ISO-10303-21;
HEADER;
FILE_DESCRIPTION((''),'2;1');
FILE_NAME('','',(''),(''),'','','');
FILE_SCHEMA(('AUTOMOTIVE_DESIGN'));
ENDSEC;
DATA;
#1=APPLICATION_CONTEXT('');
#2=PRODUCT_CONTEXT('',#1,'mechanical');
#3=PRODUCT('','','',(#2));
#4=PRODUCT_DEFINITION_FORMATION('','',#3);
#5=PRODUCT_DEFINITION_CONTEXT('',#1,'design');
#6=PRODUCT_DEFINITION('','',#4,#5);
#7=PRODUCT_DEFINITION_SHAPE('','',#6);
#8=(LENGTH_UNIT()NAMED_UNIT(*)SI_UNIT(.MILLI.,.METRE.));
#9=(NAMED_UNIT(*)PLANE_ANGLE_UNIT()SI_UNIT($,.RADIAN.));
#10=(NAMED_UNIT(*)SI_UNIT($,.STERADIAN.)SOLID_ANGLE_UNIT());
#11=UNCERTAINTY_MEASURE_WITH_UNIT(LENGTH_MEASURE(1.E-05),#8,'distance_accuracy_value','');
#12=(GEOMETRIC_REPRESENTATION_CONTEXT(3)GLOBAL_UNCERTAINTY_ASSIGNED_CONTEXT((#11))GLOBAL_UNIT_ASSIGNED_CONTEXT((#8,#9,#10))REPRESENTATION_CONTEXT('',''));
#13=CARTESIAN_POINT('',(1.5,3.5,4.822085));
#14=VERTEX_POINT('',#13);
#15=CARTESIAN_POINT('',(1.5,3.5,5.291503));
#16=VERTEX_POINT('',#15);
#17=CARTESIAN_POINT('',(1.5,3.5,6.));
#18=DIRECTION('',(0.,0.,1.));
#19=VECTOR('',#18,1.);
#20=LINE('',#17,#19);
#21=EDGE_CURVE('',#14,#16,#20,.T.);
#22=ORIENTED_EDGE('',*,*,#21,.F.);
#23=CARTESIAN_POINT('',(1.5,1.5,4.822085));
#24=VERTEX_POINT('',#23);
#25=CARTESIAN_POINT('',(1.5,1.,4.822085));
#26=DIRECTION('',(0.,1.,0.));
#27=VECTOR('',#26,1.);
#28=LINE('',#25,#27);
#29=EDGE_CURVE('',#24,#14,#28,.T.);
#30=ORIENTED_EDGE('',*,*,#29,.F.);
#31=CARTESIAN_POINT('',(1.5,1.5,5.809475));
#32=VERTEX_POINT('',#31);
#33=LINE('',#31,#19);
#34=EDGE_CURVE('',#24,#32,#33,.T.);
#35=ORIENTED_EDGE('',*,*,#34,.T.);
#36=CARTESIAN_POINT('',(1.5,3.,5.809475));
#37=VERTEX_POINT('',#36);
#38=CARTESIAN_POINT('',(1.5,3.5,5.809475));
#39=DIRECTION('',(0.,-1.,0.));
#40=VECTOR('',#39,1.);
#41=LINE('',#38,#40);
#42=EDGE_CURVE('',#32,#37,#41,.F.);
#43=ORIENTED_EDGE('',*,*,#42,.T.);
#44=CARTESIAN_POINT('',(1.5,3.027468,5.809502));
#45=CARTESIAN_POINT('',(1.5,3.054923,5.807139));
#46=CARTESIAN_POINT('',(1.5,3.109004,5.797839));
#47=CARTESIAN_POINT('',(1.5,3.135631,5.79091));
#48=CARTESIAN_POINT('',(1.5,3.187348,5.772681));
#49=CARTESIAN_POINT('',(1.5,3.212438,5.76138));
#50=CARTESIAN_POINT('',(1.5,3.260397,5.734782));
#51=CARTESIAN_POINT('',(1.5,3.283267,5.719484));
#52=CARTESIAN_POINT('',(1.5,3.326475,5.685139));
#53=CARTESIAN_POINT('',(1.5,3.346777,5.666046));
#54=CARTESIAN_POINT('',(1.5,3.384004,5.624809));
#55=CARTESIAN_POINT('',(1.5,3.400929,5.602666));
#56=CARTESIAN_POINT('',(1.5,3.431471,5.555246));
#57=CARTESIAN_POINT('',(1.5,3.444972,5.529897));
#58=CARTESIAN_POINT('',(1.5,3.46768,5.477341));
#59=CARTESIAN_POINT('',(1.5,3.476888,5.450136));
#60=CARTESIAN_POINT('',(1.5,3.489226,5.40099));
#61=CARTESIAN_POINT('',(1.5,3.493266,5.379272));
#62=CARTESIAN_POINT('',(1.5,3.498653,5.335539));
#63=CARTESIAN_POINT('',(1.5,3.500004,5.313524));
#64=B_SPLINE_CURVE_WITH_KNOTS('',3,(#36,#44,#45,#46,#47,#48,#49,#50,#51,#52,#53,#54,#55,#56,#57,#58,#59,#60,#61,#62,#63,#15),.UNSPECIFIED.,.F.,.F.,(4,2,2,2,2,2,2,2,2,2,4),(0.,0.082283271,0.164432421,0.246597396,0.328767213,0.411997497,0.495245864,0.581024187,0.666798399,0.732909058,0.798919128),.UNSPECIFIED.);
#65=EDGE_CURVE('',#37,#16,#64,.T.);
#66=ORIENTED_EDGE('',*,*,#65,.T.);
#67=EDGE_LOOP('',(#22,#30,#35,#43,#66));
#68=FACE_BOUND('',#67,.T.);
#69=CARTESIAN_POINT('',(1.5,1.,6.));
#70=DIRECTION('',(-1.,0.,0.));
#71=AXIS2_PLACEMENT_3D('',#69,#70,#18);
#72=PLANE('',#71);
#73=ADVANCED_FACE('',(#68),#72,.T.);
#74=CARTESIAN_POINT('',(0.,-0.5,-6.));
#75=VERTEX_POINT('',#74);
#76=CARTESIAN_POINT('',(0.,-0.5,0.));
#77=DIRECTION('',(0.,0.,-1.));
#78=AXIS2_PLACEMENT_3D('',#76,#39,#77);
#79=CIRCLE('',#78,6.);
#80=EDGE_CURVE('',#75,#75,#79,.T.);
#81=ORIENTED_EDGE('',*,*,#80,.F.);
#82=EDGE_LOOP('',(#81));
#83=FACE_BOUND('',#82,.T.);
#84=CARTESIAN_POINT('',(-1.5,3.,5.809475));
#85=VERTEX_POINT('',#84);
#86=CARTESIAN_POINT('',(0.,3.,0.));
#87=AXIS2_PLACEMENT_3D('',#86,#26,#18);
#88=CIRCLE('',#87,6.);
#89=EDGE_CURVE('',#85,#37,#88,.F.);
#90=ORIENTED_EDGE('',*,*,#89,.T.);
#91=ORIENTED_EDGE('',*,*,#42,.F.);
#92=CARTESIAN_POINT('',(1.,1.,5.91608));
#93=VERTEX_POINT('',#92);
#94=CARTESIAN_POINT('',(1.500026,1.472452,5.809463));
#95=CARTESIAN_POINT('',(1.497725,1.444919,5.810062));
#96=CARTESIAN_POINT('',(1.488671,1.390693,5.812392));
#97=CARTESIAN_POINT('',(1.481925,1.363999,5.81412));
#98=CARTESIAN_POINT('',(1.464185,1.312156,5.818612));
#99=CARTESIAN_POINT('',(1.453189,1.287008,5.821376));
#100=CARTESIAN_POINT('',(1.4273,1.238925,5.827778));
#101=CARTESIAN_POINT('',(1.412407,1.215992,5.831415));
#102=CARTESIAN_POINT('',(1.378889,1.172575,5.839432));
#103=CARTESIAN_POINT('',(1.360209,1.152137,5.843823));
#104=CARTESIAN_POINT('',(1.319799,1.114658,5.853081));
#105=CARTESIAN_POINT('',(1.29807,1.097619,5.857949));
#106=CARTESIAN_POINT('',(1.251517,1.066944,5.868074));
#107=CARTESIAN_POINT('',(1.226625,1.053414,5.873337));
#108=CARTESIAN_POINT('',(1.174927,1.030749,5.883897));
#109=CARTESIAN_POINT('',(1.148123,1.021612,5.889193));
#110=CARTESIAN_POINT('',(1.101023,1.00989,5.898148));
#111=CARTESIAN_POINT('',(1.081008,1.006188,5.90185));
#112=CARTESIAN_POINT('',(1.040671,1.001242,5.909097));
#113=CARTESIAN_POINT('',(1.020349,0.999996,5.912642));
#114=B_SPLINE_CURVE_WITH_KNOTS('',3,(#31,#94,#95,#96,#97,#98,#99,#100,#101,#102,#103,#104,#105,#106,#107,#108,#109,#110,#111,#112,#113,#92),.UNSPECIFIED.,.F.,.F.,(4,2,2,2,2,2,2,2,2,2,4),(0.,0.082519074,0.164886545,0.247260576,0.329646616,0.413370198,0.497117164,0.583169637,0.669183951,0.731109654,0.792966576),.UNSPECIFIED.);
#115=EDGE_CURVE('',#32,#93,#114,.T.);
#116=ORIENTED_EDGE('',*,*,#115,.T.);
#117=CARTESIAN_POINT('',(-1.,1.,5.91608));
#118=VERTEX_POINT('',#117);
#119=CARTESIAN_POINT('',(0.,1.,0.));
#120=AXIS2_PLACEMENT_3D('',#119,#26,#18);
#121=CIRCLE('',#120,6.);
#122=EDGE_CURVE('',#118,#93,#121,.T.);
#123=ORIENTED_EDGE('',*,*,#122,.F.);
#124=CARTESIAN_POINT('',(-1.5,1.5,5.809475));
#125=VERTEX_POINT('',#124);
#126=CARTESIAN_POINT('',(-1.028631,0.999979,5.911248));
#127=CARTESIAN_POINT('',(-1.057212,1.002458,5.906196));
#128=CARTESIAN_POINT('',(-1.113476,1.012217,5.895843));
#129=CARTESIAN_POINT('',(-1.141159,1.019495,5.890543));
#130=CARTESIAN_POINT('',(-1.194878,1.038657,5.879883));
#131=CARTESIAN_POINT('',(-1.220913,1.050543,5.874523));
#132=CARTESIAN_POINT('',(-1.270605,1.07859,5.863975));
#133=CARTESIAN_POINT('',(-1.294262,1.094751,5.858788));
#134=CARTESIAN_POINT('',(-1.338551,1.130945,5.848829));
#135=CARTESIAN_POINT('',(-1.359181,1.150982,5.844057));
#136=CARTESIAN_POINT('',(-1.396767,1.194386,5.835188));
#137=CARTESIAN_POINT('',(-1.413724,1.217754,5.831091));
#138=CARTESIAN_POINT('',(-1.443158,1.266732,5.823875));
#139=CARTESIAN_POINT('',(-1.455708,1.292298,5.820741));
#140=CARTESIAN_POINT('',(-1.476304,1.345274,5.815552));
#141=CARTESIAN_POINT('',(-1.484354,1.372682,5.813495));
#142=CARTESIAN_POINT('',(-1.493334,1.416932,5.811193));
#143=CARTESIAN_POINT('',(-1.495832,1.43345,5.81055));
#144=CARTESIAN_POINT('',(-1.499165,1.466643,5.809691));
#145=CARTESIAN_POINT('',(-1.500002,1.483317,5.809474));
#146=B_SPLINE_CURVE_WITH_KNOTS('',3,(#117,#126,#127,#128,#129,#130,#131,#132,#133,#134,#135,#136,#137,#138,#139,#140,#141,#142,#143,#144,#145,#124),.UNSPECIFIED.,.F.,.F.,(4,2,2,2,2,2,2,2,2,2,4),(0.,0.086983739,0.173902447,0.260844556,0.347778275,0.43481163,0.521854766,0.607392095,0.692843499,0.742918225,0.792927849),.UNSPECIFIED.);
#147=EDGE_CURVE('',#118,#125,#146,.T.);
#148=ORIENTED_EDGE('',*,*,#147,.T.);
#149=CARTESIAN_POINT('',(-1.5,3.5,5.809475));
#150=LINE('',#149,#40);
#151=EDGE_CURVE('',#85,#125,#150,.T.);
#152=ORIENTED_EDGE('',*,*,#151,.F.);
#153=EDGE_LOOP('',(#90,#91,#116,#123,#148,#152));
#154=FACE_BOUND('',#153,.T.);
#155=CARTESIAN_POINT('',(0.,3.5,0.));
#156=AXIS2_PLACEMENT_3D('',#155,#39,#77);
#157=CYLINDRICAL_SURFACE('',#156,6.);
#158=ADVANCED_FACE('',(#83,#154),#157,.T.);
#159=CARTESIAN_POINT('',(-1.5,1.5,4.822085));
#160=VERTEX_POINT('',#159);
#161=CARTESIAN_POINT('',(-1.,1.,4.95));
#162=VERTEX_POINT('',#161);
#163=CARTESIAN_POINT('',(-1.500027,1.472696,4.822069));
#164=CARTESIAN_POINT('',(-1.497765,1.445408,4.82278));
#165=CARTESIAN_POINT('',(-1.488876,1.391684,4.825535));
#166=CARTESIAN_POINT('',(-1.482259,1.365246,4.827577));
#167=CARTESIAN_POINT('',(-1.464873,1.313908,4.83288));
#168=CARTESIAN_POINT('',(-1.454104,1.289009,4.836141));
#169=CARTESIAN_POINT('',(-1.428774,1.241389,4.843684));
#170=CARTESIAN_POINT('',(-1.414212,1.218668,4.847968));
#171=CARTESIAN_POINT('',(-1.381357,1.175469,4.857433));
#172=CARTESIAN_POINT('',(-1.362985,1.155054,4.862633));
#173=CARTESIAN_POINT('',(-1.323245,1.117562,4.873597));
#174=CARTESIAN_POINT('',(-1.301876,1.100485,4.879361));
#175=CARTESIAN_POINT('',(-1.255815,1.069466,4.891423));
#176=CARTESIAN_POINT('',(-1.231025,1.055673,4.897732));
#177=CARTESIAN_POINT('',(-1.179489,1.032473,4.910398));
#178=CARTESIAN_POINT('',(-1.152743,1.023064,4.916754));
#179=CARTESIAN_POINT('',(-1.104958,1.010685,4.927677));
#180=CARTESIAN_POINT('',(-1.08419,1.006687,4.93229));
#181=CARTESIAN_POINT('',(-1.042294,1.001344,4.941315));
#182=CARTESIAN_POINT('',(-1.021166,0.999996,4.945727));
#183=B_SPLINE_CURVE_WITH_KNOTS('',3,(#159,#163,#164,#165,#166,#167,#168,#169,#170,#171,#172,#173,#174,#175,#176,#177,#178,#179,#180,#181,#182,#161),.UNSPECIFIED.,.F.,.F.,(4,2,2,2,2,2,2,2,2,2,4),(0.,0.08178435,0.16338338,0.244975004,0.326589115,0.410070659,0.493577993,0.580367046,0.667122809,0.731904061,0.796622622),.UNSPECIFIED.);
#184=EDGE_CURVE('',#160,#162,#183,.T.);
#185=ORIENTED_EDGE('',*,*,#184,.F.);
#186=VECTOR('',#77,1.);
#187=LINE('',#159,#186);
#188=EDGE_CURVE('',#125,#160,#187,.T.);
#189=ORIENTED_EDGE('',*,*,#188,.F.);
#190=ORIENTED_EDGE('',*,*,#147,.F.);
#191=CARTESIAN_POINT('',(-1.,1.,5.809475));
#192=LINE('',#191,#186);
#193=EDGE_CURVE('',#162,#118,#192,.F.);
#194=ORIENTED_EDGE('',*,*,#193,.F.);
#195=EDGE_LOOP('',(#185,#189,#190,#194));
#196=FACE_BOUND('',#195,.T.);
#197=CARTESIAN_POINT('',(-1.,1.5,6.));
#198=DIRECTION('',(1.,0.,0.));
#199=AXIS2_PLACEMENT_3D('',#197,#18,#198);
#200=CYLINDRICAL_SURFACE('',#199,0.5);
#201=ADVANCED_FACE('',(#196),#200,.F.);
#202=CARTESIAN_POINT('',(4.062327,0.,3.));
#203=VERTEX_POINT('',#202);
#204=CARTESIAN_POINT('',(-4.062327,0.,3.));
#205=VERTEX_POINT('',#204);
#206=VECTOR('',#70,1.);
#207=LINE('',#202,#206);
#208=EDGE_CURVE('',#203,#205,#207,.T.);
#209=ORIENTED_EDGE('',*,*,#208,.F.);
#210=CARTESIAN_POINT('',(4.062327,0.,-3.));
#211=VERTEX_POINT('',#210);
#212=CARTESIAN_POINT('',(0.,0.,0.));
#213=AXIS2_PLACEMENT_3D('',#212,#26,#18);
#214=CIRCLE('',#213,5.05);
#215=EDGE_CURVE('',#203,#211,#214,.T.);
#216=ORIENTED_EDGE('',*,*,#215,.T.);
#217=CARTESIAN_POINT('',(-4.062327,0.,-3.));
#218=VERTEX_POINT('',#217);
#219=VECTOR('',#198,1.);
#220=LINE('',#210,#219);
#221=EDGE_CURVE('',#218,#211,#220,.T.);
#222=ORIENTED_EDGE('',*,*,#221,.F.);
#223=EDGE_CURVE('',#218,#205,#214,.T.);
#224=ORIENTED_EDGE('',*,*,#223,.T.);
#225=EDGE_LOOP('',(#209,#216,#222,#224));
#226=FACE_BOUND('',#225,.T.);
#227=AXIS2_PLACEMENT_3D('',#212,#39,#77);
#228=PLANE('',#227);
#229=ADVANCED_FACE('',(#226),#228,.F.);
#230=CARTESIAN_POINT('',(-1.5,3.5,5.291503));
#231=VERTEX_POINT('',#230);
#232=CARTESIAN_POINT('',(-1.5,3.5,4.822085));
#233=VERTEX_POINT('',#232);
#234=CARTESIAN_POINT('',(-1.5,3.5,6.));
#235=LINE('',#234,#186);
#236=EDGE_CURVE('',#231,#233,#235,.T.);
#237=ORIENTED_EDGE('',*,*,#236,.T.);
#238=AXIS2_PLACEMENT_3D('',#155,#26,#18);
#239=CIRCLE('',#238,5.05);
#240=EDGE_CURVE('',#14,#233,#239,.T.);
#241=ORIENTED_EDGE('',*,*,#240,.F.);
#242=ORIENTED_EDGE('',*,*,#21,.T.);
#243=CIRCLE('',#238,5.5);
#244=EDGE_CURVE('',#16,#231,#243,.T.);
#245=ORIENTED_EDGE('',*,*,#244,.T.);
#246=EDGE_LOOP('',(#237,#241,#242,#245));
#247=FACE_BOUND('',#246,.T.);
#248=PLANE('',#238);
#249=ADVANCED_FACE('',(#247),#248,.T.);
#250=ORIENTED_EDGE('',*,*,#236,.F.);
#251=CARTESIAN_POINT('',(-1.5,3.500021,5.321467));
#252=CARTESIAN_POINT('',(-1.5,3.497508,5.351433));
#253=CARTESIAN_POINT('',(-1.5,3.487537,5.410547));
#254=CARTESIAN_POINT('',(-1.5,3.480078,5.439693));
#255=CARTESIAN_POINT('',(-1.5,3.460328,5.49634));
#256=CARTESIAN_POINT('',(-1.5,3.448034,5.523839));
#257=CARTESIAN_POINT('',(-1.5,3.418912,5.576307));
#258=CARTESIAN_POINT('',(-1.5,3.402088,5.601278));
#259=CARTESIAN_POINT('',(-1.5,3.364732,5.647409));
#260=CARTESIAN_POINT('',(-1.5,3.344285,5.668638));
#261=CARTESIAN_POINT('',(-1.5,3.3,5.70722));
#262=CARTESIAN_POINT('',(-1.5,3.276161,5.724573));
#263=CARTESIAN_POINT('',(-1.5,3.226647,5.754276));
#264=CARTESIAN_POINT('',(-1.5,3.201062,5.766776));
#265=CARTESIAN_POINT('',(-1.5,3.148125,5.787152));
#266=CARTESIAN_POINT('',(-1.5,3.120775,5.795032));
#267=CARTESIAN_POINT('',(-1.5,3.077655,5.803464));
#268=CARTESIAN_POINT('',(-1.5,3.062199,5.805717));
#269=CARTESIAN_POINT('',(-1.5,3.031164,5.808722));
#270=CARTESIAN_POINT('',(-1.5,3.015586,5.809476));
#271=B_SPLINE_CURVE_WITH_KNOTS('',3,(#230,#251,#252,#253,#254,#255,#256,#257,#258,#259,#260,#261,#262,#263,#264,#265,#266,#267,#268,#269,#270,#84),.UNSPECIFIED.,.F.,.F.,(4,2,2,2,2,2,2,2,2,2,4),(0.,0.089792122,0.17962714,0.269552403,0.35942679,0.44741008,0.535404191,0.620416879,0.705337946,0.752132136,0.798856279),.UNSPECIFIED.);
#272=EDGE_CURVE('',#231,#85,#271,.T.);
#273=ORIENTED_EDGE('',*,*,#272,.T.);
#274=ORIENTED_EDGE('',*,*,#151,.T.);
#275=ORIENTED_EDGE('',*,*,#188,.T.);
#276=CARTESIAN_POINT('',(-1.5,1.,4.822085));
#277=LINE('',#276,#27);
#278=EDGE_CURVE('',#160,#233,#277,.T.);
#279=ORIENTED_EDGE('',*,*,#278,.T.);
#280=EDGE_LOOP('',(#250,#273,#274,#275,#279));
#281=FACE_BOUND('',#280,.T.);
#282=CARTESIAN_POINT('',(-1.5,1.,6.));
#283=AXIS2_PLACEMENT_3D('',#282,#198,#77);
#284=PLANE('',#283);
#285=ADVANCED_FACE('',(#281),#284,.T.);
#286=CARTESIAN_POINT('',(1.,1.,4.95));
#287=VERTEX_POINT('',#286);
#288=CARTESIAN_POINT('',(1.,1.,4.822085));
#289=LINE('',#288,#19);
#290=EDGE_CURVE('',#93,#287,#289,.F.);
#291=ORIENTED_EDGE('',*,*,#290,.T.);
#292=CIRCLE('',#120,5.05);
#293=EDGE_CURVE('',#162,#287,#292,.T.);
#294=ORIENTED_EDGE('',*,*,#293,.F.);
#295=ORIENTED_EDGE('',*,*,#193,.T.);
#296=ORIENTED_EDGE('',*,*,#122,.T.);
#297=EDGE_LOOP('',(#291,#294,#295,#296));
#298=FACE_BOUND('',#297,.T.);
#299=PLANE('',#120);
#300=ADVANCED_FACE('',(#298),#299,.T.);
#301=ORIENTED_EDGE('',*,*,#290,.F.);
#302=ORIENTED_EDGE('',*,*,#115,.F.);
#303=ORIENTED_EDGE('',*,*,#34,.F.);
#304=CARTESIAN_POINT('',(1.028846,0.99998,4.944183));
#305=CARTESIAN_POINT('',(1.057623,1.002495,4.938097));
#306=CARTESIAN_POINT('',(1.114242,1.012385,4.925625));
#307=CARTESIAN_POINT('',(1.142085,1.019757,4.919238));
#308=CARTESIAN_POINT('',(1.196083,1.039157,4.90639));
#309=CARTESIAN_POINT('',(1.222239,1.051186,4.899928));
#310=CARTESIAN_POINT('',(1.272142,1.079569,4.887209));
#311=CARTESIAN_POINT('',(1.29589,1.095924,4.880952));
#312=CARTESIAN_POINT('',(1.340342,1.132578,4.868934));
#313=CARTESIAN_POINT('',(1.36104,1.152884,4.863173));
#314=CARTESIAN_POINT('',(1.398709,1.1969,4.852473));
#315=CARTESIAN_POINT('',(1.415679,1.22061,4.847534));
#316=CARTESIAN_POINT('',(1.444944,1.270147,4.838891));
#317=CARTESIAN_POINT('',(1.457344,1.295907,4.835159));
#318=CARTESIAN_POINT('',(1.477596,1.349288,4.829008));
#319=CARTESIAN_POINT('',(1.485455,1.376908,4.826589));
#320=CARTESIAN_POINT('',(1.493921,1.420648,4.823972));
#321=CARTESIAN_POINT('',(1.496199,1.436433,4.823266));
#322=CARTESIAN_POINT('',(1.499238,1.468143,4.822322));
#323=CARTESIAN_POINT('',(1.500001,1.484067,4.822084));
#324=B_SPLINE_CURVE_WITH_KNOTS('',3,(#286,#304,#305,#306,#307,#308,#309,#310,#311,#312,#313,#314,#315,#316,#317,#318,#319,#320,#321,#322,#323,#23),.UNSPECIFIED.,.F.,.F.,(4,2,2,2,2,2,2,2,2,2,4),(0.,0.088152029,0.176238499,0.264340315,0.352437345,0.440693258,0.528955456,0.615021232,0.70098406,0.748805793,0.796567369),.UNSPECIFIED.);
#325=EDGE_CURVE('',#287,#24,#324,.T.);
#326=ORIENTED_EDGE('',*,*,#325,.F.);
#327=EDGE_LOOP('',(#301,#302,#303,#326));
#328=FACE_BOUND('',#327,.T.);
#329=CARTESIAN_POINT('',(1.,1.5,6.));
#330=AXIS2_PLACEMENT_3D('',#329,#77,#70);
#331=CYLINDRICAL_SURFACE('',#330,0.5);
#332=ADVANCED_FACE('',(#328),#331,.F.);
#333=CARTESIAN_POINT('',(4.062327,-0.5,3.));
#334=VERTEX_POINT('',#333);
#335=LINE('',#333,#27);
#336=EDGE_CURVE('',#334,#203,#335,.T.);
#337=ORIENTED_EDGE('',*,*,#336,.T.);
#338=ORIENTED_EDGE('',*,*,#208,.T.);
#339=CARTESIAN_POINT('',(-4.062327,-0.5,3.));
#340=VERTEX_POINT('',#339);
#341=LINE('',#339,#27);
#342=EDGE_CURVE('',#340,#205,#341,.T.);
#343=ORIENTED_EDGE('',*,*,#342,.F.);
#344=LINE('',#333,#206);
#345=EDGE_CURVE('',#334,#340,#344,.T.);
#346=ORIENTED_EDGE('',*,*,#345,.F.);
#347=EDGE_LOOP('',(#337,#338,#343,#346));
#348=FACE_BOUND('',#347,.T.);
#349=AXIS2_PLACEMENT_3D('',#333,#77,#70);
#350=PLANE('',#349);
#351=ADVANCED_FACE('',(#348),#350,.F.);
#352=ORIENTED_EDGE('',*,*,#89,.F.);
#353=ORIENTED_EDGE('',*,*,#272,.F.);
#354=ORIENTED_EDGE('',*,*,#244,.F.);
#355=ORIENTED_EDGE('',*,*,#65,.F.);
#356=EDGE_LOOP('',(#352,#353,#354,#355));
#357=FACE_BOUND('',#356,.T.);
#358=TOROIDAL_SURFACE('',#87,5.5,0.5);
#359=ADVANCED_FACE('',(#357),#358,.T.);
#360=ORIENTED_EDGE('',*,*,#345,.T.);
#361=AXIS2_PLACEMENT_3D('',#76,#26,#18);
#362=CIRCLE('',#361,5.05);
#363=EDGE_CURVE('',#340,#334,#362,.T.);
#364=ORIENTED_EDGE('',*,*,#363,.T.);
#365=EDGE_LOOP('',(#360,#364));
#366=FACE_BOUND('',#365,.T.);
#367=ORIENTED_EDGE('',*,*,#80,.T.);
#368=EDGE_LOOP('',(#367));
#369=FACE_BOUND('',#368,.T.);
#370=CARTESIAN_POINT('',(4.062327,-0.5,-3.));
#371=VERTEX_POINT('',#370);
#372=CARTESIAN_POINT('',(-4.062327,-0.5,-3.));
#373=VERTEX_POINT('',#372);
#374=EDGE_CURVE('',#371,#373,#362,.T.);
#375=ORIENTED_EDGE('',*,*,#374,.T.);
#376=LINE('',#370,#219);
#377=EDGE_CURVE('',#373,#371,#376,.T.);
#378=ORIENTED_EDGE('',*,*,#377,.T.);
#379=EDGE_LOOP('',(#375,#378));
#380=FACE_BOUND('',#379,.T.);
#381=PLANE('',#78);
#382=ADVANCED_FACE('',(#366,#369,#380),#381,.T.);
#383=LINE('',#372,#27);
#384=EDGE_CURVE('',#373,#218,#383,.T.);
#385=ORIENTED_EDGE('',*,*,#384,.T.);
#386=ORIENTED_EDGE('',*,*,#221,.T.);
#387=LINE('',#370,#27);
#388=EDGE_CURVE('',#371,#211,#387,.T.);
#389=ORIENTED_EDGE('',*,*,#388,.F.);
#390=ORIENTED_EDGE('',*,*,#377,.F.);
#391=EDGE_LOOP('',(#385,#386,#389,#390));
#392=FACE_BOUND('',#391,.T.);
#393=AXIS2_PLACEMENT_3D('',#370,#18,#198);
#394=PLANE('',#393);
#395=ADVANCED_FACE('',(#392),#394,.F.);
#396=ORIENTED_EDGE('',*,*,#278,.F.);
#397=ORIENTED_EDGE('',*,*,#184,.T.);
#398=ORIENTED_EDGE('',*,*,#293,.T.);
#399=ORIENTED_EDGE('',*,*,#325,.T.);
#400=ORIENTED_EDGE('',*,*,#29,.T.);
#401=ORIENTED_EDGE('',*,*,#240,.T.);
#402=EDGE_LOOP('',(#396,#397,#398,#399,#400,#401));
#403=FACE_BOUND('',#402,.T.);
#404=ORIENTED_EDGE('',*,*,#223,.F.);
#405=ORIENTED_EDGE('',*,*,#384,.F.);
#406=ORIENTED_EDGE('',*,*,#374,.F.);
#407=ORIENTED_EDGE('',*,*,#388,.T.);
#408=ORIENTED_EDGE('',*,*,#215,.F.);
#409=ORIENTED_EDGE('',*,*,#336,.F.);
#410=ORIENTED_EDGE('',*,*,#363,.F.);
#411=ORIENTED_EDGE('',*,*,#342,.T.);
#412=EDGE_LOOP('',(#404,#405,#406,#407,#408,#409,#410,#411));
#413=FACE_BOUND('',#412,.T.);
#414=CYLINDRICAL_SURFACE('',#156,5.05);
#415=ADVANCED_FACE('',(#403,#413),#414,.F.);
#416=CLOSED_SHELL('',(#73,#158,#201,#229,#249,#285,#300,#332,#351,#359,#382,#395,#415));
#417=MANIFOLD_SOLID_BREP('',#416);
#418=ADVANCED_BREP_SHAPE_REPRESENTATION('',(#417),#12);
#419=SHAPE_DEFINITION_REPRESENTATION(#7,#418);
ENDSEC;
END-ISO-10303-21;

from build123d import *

# Parameters (mm, degrees)
SKETCH1_R           = 6
SKETCH1_R_2         = 5.05
BOSS_EXTRUDE1_DEPTH = 3.5
SKETCH4_R           = 6
BOSS_EXTRUDE2_DEPTH = 0.5
SKETCH5_W           = 3
SKETCH5_H           = 1.177915389
CUT_EXTRUDE3_DEPTH  = 2.5
CUT_EXTRUDE4_DEPTH  = 1.5
FILLET1_R           = 0.5


with BuildPart() as part:
    # Sketch1 → Boss-Extrude1 (new body)
    with BuildSketch(Plane(origin=(0, 0, 0), x_dir=(1, 0, 0), z_dir=(0, 1, 0))):
        Circle(SKETCH1_R)
        Circle(SKETCH1_R_2, mode=Mode.SUBTRACT)
    extrude(amount=BOSS_EXTRUDE1_DEPTH)

    # Sketch4 → Boss-Extrude2 (add)
    with BuildSketch(Plane.XZ):
        Circle(SKETCH4_R)
    extrude(amount=BOSS_EXTRUDE2_DEPTH)

    # Sketch5 → Cut-Extrude3 (cut)
    with BuildSketch(Plane.XZ.offset(-3.5)):
        with Locations((0, 5.411042306)):
            Rectangle(SKETCH5_W, SKETCH5_H)
    extrude(amount=CUT_EXTRUDE3_DEPTH, mode=Mode.SUBTRACT)

    # Sketch7 → Cut-Extrude4 (cut, through all)
    with BuildSketch(Plane(origin=(0, 0, 0), x_dir=(1, 0, 0), z_dir=(0, 1, 0))):
        with BuildLine():
            Line((4.062326919, -3), (-4.062326919, -3))
            ThreePointArc((-4.062326919, -3), (0, -5.05), (4.062326919, -3))
        make_face()
        with BuildLine():
            Line((4.062326919, 3), (-4.062326919, 3))
            ThreePointArc((-4.062326919, 3), (0, 5.05), (4.062326919, 3))
        make_face()
    extrude(amount=-CUT_EXTRUDE4_DEPTH, mode=Mode.SUBTRACT)

    # Fillet1
    fillet1_edges = [part.edges().sort_by_distance(p)[0] for p in [
        (-3.674234614, 3.5, -4.74341649),
        (-1.5, 1, 5.315779815),
        (1.5, 1, 5.315779815),
    ]]
    fillet(fillet1_edges, radius=FILLET1_R)


solid = part.part
